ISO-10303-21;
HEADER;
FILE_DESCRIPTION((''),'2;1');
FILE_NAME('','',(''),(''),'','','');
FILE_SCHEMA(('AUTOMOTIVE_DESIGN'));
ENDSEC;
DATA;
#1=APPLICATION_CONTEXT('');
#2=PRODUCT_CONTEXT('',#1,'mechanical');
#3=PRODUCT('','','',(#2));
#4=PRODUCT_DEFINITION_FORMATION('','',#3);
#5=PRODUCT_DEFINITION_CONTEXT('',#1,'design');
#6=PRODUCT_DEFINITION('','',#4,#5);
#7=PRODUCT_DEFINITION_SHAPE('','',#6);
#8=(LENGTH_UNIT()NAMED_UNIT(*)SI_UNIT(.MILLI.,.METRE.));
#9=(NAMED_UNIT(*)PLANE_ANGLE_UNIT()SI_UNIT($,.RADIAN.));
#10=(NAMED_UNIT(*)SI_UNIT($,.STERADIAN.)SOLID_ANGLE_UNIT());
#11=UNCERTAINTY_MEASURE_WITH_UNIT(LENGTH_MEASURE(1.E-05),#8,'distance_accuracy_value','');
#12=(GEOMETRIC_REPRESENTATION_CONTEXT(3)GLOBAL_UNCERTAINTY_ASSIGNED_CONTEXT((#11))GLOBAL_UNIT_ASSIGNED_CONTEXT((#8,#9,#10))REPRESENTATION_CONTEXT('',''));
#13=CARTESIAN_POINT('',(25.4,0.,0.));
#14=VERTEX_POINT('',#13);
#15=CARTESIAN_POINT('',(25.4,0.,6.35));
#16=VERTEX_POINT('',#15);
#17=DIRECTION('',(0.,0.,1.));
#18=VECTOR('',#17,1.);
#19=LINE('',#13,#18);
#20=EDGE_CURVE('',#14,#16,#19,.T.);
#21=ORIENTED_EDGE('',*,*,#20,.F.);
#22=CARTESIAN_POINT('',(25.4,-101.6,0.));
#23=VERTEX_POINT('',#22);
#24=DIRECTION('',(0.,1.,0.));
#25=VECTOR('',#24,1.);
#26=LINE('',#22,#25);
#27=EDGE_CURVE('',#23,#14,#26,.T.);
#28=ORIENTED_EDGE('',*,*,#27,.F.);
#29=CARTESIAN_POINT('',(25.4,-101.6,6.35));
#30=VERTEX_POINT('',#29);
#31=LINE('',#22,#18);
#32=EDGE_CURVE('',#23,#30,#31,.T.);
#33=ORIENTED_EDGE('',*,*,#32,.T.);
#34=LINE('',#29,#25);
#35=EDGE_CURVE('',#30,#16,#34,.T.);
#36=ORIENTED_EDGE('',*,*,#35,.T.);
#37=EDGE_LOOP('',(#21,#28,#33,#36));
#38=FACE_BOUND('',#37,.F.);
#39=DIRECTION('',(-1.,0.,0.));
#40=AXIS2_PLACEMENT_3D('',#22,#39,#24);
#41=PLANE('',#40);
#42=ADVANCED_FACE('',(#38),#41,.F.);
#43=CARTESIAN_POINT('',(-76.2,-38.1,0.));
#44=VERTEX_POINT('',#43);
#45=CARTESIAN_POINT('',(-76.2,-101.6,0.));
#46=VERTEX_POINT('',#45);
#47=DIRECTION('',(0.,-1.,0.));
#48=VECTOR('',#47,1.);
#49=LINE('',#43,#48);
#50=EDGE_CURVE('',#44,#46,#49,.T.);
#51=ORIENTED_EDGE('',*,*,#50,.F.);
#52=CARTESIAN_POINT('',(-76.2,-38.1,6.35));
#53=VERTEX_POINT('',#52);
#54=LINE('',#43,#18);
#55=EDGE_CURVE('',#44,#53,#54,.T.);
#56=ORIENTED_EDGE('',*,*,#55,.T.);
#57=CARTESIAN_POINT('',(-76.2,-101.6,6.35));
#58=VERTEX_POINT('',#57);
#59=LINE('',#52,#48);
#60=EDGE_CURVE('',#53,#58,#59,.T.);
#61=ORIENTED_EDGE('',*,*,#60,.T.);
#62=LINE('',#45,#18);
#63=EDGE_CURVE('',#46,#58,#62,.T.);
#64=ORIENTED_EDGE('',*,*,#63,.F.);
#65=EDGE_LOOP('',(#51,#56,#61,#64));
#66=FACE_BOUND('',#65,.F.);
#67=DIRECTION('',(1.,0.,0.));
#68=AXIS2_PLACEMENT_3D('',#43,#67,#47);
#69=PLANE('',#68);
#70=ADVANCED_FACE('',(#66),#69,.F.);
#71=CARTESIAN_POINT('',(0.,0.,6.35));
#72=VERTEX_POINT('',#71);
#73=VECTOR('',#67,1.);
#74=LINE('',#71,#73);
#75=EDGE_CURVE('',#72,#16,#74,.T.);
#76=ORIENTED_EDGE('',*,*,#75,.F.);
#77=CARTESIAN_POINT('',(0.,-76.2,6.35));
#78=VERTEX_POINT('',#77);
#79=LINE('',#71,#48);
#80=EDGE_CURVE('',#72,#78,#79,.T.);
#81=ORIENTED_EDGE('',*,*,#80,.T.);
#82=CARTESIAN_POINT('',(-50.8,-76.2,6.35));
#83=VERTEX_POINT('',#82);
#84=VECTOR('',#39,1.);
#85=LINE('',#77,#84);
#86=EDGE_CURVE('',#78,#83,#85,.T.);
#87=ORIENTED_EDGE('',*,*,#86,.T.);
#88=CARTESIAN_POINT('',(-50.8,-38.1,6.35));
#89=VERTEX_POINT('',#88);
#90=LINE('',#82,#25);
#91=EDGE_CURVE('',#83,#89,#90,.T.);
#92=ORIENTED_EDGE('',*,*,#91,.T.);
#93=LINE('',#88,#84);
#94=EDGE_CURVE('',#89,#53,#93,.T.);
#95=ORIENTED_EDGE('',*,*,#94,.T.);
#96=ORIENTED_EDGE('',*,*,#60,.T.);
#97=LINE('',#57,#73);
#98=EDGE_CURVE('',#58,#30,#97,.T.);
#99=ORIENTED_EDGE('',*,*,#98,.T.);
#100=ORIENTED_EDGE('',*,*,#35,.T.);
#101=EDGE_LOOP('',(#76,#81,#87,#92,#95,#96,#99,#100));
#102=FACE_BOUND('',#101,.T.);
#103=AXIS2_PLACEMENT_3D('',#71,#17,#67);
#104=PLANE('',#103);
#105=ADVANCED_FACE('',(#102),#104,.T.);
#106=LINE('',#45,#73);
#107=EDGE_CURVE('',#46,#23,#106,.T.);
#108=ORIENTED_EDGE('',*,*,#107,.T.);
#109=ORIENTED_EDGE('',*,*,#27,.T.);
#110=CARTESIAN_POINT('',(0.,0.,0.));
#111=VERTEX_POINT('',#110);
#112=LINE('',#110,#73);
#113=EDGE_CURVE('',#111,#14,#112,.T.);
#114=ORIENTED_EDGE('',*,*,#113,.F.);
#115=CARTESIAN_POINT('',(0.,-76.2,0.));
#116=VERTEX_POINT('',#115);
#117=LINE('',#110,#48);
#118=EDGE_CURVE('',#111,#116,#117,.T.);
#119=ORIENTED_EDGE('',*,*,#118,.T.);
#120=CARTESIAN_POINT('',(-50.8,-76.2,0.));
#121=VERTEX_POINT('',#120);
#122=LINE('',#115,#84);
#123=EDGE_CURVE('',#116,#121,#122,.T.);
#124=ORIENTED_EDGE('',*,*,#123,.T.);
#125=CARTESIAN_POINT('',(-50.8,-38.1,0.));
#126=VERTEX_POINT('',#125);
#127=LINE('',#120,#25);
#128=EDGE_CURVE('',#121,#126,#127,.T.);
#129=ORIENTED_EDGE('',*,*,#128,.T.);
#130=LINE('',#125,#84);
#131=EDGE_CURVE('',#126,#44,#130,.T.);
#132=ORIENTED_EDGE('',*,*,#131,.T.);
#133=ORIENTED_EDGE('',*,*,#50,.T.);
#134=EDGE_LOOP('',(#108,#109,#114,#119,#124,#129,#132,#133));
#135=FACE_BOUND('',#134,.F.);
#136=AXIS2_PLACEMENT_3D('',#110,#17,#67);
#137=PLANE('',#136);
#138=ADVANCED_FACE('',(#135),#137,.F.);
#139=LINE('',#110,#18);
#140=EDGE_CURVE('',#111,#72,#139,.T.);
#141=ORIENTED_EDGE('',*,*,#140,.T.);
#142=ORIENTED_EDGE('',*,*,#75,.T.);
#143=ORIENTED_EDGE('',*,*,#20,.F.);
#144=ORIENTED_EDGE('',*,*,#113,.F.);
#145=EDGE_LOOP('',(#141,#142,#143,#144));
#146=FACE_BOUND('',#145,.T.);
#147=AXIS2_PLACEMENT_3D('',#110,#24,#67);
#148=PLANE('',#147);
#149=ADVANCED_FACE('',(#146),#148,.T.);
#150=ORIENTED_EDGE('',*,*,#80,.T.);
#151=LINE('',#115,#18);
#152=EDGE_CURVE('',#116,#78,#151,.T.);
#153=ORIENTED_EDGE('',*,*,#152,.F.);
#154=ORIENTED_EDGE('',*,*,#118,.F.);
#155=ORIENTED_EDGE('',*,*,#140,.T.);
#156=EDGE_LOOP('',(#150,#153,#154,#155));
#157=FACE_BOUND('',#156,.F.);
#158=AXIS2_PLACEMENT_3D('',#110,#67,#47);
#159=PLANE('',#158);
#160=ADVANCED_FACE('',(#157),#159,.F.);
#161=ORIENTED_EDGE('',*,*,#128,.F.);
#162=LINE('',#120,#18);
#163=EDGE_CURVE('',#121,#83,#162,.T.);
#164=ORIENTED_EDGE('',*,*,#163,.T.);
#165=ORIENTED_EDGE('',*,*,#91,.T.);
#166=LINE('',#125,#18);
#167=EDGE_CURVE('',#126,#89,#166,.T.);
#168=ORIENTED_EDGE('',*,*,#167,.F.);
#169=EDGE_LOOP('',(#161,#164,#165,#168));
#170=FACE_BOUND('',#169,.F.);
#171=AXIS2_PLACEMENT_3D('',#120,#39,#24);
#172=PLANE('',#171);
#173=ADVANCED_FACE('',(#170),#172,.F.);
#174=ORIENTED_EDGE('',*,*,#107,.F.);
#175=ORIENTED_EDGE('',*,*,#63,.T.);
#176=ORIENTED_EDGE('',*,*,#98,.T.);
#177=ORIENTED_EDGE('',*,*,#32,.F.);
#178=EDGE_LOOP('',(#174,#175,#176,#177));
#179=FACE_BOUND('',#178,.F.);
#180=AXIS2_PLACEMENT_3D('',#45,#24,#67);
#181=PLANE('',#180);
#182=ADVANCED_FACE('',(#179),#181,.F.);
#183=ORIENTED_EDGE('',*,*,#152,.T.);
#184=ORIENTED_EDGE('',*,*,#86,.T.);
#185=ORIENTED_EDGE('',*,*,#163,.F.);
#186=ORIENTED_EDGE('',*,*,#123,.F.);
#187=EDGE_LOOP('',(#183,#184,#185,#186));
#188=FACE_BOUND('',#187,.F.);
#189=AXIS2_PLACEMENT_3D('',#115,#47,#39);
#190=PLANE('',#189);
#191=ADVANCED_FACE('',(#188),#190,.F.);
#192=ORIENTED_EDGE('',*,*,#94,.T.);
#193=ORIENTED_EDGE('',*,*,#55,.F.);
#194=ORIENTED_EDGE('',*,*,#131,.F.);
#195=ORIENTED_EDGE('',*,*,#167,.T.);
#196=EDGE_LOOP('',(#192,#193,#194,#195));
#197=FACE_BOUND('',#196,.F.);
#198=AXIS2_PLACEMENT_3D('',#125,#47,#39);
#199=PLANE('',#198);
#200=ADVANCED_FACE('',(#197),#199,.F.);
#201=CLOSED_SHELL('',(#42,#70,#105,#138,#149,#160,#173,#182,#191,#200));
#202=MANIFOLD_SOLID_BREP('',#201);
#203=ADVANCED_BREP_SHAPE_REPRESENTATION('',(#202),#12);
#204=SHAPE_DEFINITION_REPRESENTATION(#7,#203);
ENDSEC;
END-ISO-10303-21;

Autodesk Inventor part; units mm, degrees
ref_plane "YZ Plane" through (0, 0, 0) normal (1, 0, 0) x (0, 1, 0)
ref_plane "XZ Plane" through (0, 0, 0) normal (0, 1, 0) x (-1, 0, 0)
ref_plane "XY Plane" through (0, 0, 0) normal (0, 0, 1) x (1, 0, 0)
sketch "Sketch1" plane through (0, 0, 0) normal (0, 0, 1) x (1, 0, 0)
  line L0 (0, 0) -> (0, -76.2)
  line L1 (0, -76.2) -> (-50.8, -76.2)
  line L2 (-50.8, -76.2) -> (-50.8, -38.1)
  line L3 (-50.8, -38.1) -> (-76.2, -38.1)
  line L4 (-76.2, -38.1) -> (-76.2, -101.6)
  line L5 (-76.2, -101.6) -> (25.4, -101.6)
  line L6 (25.4, -101.6) -> (25.4, 0)
  line L7 (0, 0) -> (25.4, 0)
  dimension "d0" = 101.6
  dimension "d1" = 25.4
  dimension "d2" = 25.4
  dimension "d3" = 25.4
  dimension "d4" = 50.8
  dimension "d5" = 76.2
  dimension "d6" = 63.5
extrude "Extrusion1" add sketch "Sketch1" along normal blind 6.35
properties part number "hook hook"
